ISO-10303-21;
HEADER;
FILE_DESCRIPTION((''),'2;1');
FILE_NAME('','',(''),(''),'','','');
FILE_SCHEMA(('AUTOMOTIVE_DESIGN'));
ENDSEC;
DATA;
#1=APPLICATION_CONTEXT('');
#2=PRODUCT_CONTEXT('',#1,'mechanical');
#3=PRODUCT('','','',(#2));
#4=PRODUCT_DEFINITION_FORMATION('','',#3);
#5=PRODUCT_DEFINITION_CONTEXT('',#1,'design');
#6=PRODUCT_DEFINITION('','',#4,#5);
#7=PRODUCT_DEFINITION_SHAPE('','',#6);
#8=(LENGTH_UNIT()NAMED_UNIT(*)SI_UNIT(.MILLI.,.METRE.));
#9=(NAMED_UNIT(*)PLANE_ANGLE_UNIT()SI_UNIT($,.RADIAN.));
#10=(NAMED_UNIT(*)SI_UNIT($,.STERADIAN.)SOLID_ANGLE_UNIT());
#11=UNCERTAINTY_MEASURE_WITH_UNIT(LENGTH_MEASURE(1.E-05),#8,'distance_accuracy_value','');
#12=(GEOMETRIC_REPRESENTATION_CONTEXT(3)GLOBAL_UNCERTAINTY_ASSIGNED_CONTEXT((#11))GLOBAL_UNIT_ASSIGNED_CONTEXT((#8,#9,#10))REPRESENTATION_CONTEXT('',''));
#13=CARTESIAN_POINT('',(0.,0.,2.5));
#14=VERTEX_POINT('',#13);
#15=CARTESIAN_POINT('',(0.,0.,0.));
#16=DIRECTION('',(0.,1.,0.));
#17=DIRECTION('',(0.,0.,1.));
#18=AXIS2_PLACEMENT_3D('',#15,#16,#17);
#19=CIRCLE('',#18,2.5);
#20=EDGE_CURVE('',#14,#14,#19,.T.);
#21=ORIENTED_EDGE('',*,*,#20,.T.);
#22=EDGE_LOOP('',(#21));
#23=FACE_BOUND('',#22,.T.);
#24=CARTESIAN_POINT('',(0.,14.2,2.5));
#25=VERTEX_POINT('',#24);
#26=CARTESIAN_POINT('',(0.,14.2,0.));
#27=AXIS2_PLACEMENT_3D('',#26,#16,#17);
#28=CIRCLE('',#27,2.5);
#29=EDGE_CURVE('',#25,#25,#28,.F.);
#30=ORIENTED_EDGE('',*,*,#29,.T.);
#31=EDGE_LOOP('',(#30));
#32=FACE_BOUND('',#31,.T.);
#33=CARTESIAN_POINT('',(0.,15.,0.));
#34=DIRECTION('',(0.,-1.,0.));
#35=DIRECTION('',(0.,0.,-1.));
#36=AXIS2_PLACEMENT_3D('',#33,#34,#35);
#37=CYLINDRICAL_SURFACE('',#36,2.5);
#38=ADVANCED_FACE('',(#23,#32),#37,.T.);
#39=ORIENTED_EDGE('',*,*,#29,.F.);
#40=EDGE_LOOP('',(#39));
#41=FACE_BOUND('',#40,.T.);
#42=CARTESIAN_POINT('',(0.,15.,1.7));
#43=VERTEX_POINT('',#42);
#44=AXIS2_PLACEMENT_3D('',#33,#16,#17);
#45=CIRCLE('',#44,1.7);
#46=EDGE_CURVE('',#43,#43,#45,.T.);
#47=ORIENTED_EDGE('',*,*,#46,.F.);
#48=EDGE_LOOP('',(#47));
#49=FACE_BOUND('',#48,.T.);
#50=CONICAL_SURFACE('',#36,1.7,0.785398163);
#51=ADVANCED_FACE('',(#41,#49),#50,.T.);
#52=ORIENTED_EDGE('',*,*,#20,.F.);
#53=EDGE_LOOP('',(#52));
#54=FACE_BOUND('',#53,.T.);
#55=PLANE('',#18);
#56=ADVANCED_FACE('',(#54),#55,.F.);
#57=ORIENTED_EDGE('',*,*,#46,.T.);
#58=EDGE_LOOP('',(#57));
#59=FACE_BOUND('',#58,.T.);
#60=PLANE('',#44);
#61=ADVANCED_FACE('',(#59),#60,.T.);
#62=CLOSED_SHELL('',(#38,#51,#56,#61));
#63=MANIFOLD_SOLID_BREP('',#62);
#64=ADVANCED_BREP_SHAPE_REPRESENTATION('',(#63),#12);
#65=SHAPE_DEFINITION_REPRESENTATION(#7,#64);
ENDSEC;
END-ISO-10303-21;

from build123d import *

# Parameters (mm, degrees)
SKETCH1_R           = 2.5
BOSS_EXTRUDE1_DEPTH = 15
CHAMFER1_SIZE       = 0.8


with BuildPart() as part:
    # Sketch1 → Boss-Extrude1 (new body)
    with BuildSketch(Plane(origin=(0, 0, 0), x_dir=(1, 0, 0), z_dir=(0, 1, 0))):
        Circle(SKETCH1_R)
    extrude(amount=BOSS_EXTRUDE1_DEPTH)

    # Chamfer1
    chamfer1_edges = [part.edges().sort_by_distance(p)[0] for p in [
        (-2.5, 15, 0),
    ]]
    chamfer(chamfer1_edges, length=CHAMFER1_SIZE)


solid = part.part
